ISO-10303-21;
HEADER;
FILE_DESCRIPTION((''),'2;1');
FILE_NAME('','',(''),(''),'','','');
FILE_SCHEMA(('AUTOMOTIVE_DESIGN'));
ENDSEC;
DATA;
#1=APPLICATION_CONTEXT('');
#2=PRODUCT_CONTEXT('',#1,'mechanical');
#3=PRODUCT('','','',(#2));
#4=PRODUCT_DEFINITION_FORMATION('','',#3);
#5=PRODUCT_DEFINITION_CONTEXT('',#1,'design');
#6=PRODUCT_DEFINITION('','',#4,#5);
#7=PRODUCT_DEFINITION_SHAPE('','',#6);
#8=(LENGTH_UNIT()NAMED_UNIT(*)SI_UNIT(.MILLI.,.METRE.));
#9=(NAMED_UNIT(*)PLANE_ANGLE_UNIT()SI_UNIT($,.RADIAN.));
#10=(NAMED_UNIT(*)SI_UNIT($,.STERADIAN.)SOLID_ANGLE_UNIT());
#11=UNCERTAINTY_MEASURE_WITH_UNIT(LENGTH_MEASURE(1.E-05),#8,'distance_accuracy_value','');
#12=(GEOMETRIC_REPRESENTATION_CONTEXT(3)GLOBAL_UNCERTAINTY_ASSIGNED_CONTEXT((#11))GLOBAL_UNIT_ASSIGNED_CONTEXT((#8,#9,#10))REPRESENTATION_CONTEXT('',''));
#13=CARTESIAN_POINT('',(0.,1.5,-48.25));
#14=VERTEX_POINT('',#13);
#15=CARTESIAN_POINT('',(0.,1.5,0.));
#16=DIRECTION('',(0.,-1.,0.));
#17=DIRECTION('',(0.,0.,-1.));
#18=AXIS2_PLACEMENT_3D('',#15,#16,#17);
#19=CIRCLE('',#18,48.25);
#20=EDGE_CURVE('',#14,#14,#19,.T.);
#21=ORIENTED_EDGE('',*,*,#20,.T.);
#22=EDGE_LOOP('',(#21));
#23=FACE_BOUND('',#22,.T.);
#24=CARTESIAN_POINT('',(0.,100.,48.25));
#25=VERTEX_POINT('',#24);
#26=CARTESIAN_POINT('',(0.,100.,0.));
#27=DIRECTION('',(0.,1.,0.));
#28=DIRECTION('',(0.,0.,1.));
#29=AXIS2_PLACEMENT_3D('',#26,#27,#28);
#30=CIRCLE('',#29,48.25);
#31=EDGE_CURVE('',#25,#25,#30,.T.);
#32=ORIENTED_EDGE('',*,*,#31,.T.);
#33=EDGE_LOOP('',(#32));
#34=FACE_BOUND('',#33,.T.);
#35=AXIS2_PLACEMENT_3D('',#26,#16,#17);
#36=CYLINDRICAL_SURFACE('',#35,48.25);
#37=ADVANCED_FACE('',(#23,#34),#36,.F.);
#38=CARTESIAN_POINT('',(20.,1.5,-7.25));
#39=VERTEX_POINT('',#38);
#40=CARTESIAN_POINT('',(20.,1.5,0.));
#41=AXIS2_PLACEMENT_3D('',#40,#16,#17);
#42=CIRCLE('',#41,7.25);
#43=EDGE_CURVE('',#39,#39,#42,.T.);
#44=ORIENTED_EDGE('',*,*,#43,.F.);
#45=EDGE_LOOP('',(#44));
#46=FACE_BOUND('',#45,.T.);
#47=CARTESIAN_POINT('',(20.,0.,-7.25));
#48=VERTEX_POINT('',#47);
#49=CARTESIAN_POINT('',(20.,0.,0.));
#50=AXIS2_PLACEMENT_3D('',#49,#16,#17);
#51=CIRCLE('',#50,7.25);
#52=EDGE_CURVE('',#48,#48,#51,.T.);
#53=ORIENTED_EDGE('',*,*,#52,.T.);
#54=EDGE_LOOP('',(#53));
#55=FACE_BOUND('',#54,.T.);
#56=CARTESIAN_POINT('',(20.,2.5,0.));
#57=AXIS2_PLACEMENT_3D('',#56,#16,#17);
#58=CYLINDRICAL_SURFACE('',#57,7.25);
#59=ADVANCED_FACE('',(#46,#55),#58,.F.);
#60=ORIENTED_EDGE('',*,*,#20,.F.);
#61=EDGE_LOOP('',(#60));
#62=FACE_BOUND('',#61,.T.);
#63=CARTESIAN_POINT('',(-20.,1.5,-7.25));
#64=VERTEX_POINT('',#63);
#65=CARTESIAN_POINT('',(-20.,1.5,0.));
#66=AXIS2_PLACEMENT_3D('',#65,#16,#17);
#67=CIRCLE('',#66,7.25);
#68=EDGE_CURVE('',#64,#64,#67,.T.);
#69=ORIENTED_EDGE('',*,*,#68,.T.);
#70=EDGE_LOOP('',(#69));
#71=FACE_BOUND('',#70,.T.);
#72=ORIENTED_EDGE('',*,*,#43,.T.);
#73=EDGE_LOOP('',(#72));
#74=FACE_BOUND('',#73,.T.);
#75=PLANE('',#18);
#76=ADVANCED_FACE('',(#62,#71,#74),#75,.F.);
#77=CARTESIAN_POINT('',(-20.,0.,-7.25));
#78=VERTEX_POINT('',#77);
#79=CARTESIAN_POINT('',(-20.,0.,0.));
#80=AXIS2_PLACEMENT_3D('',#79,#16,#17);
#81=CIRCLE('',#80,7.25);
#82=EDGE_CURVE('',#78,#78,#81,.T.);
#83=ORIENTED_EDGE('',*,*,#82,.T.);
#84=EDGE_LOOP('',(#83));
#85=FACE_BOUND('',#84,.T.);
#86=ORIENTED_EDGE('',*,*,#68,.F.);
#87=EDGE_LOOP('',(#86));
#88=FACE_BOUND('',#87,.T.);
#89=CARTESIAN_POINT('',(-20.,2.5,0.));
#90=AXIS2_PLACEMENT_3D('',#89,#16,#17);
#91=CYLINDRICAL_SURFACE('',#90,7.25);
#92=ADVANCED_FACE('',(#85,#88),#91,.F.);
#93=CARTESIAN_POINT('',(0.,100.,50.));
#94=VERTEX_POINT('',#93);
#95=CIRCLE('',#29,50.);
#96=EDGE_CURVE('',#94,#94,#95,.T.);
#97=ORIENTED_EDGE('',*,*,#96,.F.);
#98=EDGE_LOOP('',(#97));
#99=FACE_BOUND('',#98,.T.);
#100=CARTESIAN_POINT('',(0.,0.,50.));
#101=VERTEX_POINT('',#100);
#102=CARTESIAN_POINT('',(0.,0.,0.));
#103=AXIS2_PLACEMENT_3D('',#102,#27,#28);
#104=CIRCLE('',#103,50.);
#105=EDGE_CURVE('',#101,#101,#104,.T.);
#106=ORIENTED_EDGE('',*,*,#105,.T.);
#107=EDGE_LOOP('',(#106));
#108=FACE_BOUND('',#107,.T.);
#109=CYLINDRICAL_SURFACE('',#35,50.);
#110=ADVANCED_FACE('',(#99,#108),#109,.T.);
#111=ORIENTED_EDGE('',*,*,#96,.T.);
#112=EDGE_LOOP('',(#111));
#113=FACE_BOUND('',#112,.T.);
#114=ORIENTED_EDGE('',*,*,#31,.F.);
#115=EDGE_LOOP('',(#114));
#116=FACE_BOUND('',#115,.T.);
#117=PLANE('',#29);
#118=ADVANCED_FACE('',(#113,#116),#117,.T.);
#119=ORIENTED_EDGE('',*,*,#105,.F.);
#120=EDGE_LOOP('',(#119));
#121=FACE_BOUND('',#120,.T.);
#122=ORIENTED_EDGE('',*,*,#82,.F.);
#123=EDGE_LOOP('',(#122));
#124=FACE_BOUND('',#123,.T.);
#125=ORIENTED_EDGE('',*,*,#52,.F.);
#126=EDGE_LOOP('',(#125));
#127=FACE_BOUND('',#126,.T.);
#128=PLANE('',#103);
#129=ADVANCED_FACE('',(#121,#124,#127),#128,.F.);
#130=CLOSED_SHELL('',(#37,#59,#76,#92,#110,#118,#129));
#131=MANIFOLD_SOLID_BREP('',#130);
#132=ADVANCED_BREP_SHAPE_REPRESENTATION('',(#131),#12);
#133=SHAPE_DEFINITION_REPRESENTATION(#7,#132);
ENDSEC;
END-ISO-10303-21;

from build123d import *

# Parameters (mm, degrees)
SKETCH1_R           = 50
SKETCH1_R_2         = 48.25
BOSS_EXTRUDE1_DEPTH = 100
SKETCH2_R           = 50
BOSS_EXTRUDE2_DEPTH = 1.5
SKETCH3_R           = 7.25
CUT_EXTRUDE1_DEPTH  = 2.5


with BuildPart() as part:
    # Sketch1 → Boss-Extrude1 (new body)
    with BuildSketch(Plane(origin=(0, 0, 0), x_dir=(1, 0, 0), z_dir=(0, 1, 0))):
        with Locations(Location((0, 0, 0), (0, 0, 270))):
            Circle(SKETCH1_R)
        with Locations(Location((0, 0, 0), (0, 0, 270))):
            Circle(SKETCH1_R_2, mode=Mode.SUBTRACT)
    extrude(amount=BOSS_EXTRUDE1_DEPTH)

    # Sketch2 → Boss-Extrude2 (add)
    with BuildSketch(Plane.XZ):
        with Locations(Location((0, 0, 0), (0, 0, 90))):
            Circle(SKETCH2_R)
    extrude(amount=-BOSS_EXTRUDE2_DEPTH)

    # Sketch3 → Cut-Extrude1 (cut)
    with BuildSketch(Plane.XZ):
        with Locations(Location((-20, 0, 0), (0, 0, 270))):
            Circle(SKETCH3_R)
        with Locations(Location((20, 0, 0), (0, 0, 270))):
            Circle(SKETCH3_R)
    extrude(amount=-CUT_EXTRUDE1_DEPTH, mode=Mode.SUBTRACT)


solid = part.part
